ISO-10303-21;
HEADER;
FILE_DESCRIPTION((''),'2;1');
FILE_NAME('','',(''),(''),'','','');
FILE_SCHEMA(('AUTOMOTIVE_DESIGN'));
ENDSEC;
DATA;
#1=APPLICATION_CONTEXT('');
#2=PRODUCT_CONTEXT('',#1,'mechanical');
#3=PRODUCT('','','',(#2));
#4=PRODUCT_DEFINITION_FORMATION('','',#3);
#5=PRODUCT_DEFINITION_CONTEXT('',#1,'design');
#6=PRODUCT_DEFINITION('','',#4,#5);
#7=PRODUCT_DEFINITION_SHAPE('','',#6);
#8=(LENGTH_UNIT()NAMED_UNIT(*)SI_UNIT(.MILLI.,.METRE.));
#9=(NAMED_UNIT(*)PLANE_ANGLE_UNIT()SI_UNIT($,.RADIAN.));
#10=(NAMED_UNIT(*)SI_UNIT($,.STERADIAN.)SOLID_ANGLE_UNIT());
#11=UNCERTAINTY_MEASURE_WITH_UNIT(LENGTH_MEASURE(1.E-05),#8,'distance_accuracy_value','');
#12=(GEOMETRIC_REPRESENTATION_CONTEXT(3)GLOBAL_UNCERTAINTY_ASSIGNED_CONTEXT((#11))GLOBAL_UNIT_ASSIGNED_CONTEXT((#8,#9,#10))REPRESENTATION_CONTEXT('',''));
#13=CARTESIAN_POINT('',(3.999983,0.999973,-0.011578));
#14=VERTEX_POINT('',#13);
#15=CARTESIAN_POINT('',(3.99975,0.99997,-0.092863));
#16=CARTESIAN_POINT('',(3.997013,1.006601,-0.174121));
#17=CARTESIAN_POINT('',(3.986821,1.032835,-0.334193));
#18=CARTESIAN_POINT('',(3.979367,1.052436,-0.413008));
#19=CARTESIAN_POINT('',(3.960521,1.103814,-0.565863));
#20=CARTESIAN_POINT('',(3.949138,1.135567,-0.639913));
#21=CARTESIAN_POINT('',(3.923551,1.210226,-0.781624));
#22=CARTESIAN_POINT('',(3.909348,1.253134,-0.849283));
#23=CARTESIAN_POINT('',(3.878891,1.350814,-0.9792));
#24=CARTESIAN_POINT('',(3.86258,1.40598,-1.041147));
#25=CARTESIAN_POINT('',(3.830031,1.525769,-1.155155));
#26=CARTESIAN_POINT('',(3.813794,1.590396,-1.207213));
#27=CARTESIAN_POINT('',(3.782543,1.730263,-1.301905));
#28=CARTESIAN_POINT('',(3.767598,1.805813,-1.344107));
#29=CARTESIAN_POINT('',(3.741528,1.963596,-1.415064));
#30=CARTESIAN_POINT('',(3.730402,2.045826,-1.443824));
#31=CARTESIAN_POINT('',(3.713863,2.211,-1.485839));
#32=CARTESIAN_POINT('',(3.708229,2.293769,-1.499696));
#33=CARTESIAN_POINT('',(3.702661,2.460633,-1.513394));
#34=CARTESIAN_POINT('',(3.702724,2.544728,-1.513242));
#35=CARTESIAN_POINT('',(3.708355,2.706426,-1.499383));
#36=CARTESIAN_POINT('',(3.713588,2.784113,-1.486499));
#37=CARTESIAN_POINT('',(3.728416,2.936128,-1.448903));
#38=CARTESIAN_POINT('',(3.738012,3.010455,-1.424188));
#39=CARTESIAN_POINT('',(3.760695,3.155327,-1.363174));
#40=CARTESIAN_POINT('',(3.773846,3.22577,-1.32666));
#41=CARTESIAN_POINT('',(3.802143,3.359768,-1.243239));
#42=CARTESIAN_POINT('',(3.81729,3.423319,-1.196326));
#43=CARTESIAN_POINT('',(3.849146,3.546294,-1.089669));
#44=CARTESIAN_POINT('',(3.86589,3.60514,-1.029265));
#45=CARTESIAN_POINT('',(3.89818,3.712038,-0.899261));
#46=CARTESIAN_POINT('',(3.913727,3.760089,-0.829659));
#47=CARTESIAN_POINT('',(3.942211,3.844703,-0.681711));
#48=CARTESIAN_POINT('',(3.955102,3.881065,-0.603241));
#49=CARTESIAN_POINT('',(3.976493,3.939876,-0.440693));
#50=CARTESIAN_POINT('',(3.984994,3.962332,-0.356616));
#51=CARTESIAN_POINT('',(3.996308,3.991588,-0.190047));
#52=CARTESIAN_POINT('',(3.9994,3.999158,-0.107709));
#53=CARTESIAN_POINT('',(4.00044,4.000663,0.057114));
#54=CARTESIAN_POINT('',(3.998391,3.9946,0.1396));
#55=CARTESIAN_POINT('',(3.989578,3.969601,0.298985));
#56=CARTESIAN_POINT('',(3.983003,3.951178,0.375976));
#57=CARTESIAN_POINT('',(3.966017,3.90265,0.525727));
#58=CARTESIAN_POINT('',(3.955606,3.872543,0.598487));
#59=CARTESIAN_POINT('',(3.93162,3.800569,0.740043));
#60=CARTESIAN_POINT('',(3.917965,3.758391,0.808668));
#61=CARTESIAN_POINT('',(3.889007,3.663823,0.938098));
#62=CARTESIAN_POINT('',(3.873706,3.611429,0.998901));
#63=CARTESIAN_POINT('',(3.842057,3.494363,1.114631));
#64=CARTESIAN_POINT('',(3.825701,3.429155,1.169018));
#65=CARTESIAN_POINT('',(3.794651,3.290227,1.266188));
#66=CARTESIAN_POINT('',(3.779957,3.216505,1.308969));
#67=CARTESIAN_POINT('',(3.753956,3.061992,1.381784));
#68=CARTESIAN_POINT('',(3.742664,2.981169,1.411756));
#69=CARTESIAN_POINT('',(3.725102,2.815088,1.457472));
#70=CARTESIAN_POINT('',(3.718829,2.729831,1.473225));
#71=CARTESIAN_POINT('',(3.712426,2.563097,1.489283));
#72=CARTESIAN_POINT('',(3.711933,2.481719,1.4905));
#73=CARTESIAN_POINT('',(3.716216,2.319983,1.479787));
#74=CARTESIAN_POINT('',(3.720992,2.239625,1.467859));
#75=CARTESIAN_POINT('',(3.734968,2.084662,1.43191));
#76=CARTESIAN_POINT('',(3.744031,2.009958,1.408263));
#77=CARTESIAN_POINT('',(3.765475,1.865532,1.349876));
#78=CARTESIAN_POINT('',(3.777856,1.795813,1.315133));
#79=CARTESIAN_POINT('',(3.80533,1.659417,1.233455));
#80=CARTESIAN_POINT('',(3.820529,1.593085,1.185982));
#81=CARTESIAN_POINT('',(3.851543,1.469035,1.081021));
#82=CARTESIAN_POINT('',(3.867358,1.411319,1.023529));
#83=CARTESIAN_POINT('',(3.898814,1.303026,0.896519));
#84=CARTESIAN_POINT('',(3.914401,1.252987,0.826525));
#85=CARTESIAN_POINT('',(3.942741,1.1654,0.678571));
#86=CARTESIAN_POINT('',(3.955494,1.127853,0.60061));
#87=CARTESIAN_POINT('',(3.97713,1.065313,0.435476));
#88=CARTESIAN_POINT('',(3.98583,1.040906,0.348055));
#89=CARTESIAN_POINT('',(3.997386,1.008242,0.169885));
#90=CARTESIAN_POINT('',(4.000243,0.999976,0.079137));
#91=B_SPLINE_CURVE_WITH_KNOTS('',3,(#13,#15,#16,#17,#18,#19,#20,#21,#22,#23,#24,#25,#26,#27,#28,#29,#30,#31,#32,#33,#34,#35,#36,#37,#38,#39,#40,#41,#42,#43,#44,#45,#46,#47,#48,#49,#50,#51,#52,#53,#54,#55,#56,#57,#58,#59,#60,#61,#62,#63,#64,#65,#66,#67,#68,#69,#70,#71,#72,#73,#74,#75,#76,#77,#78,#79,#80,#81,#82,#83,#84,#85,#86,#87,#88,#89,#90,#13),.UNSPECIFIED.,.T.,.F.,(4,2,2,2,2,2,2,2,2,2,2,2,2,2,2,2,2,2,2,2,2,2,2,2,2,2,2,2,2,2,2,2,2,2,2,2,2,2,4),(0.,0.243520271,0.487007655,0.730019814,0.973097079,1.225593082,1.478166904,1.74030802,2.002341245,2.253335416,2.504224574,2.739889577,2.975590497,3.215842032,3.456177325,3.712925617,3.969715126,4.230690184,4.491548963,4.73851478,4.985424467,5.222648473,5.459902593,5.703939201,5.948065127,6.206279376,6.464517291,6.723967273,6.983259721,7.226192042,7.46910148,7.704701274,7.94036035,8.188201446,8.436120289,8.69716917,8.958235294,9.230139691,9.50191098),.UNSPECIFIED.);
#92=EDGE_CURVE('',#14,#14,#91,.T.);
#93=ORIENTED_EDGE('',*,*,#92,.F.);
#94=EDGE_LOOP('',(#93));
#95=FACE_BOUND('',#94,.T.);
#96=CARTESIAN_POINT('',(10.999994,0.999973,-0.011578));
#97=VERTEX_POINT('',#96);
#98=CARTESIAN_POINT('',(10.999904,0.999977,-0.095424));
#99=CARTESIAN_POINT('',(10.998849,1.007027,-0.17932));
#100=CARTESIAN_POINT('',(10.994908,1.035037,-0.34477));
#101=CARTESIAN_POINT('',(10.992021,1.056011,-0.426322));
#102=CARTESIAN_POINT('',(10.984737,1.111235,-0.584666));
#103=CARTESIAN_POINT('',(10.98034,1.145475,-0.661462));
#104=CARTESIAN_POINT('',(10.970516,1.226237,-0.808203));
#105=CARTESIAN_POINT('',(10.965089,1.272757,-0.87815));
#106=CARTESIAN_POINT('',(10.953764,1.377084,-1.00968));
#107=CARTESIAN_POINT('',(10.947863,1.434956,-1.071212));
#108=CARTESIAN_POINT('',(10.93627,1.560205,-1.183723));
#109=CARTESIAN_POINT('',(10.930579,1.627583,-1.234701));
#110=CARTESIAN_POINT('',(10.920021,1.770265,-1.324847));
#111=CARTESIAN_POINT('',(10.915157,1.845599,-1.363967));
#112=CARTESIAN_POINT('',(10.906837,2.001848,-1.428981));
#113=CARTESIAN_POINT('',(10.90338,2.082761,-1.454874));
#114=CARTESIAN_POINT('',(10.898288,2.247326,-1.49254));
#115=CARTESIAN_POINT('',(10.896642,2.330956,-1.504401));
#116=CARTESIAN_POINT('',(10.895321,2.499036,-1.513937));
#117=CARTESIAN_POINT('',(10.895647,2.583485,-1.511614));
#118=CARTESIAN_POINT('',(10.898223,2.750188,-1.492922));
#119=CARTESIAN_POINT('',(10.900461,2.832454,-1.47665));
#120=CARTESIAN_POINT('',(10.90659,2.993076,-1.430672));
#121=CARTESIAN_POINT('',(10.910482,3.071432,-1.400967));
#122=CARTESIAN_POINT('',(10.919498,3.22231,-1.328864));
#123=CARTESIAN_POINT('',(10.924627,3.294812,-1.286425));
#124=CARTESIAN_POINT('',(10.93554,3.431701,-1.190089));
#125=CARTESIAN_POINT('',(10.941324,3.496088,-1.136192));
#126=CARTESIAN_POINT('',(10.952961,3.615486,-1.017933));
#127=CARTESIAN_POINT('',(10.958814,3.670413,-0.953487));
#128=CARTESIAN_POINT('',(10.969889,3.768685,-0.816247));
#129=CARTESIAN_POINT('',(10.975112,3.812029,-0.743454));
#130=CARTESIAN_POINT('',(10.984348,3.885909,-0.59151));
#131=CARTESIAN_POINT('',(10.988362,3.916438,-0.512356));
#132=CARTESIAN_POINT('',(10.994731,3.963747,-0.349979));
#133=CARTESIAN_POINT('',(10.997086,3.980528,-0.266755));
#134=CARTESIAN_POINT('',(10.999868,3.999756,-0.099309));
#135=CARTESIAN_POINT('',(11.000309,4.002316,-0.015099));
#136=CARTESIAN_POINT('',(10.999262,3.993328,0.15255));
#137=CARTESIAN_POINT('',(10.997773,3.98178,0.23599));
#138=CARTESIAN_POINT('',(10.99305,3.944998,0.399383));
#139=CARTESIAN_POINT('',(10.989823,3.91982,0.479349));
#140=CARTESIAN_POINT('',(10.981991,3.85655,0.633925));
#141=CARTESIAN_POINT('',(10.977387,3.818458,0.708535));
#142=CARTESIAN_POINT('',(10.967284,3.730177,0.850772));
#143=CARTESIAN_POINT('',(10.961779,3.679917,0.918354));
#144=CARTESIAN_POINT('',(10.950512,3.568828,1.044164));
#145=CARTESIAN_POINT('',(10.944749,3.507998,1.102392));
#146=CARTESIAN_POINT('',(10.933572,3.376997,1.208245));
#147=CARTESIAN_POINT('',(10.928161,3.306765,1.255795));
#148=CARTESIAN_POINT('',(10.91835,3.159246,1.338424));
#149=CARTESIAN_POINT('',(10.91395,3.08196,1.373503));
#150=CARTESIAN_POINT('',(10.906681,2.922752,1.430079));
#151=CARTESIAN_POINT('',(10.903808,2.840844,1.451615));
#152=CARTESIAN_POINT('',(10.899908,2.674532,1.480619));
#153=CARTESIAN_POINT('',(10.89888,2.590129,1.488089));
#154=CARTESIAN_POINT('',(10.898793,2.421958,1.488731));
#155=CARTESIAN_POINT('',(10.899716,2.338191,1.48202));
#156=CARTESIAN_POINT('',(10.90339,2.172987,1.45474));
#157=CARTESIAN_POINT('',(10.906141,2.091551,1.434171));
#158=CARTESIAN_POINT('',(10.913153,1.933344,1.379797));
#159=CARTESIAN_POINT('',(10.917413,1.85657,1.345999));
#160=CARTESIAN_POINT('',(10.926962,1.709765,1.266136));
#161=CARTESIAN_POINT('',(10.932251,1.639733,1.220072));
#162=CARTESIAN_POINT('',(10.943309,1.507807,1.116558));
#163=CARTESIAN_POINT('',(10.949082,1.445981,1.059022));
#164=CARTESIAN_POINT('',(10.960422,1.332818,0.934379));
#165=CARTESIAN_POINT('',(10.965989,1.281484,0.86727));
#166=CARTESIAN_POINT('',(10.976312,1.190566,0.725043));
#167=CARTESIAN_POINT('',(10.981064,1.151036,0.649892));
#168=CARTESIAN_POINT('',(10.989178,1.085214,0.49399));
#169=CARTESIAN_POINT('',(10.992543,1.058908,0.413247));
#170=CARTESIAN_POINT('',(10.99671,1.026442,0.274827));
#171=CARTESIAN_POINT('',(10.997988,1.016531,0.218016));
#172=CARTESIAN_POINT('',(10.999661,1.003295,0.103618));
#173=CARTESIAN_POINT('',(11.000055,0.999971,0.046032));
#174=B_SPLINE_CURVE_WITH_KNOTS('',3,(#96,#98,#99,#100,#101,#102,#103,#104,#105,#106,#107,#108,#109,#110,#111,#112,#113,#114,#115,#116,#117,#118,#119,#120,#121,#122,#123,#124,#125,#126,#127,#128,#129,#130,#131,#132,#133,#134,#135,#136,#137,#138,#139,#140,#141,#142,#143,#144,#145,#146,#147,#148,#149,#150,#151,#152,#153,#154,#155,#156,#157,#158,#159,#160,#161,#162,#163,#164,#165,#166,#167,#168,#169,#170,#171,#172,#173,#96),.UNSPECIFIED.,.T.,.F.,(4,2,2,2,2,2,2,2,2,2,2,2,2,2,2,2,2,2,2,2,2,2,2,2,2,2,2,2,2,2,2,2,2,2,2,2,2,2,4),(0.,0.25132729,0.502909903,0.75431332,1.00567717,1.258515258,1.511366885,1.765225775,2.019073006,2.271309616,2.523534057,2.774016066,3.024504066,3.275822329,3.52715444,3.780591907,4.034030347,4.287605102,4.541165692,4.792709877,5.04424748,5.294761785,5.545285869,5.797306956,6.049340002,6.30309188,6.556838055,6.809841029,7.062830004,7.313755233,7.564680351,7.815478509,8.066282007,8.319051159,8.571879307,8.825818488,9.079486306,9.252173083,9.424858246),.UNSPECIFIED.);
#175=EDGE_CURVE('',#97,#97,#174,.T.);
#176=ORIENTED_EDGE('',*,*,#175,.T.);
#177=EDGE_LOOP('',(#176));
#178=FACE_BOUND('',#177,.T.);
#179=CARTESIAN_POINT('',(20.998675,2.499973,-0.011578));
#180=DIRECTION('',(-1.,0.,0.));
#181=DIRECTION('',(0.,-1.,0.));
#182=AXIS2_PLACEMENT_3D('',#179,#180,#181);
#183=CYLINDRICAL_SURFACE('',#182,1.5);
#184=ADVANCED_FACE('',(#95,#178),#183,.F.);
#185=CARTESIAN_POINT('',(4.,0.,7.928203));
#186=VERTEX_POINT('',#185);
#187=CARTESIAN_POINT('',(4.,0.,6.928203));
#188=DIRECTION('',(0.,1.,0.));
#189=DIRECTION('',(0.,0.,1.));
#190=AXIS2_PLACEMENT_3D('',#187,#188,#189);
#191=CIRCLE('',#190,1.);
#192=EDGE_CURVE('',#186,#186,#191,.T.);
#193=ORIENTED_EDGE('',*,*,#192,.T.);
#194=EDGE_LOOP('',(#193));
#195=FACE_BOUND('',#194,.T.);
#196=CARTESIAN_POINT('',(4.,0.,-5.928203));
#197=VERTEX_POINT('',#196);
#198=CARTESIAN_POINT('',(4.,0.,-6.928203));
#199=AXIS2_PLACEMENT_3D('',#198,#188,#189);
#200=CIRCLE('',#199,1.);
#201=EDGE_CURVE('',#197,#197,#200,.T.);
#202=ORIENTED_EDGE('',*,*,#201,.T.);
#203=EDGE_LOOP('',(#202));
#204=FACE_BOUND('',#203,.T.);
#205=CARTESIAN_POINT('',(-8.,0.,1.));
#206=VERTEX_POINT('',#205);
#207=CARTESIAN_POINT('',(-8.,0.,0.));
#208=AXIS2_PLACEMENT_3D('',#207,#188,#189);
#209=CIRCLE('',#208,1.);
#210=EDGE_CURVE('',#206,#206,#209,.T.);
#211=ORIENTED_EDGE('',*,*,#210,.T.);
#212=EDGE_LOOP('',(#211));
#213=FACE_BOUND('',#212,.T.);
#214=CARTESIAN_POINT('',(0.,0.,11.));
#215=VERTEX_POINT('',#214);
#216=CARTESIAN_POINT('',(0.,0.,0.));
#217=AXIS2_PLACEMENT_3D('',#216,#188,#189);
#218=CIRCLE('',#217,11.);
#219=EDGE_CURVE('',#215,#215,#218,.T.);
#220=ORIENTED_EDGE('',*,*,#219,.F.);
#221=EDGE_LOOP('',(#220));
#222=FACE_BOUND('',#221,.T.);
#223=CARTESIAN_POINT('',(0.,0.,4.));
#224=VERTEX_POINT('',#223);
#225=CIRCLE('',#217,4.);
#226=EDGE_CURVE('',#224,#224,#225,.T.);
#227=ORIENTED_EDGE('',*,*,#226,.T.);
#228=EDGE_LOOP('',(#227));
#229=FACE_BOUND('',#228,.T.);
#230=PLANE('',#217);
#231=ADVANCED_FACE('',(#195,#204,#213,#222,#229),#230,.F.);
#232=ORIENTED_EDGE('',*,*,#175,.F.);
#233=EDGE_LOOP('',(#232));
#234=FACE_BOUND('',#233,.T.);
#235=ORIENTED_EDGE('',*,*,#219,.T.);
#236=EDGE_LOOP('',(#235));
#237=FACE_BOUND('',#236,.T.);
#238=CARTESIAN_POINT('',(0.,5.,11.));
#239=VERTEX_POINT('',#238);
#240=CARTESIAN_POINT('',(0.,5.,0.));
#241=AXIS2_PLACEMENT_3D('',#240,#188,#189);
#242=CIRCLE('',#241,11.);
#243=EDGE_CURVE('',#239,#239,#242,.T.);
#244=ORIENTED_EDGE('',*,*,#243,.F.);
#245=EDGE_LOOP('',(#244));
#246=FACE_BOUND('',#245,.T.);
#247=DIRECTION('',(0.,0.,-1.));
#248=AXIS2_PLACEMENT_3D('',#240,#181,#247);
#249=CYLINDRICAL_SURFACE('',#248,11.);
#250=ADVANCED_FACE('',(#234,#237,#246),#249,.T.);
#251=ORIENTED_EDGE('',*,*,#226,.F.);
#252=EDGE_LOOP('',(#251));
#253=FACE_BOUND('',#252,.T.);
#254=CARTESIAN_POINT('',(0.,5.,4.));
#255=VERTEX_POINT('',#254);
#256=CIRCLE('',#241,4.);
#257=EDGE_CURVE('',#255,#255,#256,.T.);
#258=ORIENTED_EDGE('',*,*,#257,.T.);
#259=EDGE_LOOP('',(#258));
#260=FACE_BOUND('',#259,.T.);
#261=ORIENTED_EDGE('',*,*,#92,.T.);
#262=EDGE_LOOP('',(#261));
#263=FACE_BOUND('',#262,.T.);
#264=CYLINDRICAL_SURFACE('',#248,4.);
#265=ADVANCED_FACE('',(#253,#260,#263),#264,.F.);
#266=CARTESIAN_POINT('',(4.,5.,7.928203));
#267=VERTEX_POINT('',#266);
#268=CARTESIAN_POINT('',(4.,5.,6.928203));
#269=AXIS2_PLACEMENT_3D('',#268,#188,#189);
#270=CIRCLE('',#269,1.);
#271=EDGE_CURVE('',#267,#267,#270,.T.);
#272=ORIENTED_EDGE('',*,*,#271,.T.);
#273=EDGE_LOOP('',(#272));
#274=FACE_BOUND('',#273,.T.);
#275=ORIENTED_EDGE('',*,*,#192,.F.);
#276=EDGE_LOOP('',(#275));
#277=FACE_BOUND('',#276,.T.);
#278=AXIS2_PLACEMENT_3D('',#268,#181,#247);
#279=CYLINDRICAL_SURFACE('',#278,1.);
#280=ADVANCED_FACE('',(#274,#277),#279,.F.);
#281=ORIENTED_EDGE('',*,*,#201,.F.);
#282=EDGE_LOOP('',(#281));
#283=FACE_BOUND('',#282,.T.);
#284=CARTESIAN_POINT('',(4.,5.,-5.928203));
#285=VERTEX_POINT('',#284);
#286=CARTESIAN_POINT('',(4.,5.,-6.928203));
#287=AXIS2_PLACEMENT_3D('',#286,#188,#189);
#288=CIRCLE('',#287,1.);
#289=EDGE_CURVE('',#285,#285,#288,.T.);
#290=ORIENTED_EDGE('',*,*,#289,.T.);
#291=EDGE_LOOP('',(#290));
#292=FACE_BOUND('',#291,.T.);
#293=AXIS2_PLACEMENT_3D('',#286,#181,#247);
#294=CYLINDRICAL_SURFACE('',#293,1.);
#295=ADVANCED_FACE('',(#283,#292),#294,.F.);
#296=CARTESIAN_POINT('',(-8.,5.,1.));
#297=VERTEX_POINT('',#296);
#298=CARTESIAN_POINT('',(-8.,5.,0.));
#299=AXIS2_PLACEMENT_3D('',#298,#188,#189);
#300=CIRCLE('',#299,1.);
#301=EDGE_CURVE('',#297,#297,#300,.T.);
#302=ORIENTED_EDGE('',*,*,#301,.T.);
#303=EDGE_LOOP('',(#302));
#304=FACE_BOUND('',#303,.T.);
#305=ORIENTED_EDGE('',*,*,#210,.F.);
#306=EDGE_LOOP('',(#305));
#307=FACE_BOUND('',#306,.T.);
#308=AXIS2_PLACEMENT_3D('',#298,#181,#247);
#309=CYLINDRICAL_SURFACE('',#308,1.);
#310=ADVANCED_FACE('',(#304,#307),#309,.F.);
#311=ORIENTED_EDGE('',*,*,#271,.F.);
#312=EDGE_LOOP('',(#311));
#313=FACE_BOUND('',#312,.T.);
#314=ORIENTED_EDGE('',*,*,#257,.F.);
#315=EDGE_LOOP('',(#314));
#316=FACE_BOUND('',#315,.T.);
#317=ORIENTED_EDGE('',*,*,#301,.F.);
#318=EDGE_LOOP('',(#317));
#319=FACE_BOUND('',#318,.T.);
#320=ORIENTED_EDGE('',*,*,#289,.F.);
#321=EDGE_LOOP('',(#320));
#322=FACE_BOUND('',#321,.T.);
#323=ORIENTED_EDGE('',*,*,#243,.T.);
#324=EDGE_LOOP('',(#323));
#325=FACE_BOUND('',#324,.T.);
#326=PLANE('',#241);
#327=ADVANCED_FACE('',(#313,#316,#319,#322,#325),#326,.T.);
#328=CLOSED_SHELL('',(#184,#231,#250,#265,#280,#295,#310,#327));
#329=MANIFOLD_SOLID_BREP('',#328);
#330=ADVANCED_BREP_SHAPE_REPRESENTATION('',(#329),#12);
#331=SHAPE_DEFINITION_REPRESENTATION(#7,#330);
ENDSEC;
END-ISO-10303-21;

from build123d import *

# Parameters (mm, degrees)
SKETCH1_R               = 11
SKETCH1_R_2             = 4
SKETCH1_R_3             = 1
BOSS_EXTRUDE1_DEPTH     = 5
CUT_EXTRUDE1_DEPTH      = 10
CUT_EXTRUDE1_DEPTH_BACK = 10
SKETCH2_R               = 1.5


with BuildPart() as part:
    # Sketch1 → Boss-Extrude1 (new body)
    with BuildSketch(Plane(origin=(0, 0, 0), x_dir=(1, 0, 0), z_dir=(0, 1, 0))):
        Circle(SKETCH1_R)
        Circle(SKETCH1_R_2, mode=Mode.SUBTRACT)
        with Locations((-8, 0)):
            Circle(SKETCH1_R_3, mode=Mode.SUBTRACT)
        with Locations((4, 6.92820323)):
            Circle(SKETCH1_R_3, mode=Mode.SUBTRACT)
        with Locations((4, -6.92820323)):
            Circle(SKETCH1_R_3, mode=Mode.SUBTRACT)
    extrude(amount=BOSS_EXTRUDE1_DEPTH)

    # Sketch2 → Cut-Extrude1 (cut, two sides: drawn at the far end of the back side and taken through both)
    with BuildSketch(Plane(origin=(10.998674606, 0, 0), x_dir=(0, 0, -1), z_dir=(1, 0, 0)).offset(-CUT_EXTRUDE1_DEPTH_BACK)):
        with Locations((0.011578062, 2.49997319)):
            Circle(SKETCH2_R)
    extrude(amount=CUT_EXTRUDE1_DEPTH + CUT_EXTRUDE1_DEPTH_BACK, mode=Mode.SUBTRACT)


solid = part.part
